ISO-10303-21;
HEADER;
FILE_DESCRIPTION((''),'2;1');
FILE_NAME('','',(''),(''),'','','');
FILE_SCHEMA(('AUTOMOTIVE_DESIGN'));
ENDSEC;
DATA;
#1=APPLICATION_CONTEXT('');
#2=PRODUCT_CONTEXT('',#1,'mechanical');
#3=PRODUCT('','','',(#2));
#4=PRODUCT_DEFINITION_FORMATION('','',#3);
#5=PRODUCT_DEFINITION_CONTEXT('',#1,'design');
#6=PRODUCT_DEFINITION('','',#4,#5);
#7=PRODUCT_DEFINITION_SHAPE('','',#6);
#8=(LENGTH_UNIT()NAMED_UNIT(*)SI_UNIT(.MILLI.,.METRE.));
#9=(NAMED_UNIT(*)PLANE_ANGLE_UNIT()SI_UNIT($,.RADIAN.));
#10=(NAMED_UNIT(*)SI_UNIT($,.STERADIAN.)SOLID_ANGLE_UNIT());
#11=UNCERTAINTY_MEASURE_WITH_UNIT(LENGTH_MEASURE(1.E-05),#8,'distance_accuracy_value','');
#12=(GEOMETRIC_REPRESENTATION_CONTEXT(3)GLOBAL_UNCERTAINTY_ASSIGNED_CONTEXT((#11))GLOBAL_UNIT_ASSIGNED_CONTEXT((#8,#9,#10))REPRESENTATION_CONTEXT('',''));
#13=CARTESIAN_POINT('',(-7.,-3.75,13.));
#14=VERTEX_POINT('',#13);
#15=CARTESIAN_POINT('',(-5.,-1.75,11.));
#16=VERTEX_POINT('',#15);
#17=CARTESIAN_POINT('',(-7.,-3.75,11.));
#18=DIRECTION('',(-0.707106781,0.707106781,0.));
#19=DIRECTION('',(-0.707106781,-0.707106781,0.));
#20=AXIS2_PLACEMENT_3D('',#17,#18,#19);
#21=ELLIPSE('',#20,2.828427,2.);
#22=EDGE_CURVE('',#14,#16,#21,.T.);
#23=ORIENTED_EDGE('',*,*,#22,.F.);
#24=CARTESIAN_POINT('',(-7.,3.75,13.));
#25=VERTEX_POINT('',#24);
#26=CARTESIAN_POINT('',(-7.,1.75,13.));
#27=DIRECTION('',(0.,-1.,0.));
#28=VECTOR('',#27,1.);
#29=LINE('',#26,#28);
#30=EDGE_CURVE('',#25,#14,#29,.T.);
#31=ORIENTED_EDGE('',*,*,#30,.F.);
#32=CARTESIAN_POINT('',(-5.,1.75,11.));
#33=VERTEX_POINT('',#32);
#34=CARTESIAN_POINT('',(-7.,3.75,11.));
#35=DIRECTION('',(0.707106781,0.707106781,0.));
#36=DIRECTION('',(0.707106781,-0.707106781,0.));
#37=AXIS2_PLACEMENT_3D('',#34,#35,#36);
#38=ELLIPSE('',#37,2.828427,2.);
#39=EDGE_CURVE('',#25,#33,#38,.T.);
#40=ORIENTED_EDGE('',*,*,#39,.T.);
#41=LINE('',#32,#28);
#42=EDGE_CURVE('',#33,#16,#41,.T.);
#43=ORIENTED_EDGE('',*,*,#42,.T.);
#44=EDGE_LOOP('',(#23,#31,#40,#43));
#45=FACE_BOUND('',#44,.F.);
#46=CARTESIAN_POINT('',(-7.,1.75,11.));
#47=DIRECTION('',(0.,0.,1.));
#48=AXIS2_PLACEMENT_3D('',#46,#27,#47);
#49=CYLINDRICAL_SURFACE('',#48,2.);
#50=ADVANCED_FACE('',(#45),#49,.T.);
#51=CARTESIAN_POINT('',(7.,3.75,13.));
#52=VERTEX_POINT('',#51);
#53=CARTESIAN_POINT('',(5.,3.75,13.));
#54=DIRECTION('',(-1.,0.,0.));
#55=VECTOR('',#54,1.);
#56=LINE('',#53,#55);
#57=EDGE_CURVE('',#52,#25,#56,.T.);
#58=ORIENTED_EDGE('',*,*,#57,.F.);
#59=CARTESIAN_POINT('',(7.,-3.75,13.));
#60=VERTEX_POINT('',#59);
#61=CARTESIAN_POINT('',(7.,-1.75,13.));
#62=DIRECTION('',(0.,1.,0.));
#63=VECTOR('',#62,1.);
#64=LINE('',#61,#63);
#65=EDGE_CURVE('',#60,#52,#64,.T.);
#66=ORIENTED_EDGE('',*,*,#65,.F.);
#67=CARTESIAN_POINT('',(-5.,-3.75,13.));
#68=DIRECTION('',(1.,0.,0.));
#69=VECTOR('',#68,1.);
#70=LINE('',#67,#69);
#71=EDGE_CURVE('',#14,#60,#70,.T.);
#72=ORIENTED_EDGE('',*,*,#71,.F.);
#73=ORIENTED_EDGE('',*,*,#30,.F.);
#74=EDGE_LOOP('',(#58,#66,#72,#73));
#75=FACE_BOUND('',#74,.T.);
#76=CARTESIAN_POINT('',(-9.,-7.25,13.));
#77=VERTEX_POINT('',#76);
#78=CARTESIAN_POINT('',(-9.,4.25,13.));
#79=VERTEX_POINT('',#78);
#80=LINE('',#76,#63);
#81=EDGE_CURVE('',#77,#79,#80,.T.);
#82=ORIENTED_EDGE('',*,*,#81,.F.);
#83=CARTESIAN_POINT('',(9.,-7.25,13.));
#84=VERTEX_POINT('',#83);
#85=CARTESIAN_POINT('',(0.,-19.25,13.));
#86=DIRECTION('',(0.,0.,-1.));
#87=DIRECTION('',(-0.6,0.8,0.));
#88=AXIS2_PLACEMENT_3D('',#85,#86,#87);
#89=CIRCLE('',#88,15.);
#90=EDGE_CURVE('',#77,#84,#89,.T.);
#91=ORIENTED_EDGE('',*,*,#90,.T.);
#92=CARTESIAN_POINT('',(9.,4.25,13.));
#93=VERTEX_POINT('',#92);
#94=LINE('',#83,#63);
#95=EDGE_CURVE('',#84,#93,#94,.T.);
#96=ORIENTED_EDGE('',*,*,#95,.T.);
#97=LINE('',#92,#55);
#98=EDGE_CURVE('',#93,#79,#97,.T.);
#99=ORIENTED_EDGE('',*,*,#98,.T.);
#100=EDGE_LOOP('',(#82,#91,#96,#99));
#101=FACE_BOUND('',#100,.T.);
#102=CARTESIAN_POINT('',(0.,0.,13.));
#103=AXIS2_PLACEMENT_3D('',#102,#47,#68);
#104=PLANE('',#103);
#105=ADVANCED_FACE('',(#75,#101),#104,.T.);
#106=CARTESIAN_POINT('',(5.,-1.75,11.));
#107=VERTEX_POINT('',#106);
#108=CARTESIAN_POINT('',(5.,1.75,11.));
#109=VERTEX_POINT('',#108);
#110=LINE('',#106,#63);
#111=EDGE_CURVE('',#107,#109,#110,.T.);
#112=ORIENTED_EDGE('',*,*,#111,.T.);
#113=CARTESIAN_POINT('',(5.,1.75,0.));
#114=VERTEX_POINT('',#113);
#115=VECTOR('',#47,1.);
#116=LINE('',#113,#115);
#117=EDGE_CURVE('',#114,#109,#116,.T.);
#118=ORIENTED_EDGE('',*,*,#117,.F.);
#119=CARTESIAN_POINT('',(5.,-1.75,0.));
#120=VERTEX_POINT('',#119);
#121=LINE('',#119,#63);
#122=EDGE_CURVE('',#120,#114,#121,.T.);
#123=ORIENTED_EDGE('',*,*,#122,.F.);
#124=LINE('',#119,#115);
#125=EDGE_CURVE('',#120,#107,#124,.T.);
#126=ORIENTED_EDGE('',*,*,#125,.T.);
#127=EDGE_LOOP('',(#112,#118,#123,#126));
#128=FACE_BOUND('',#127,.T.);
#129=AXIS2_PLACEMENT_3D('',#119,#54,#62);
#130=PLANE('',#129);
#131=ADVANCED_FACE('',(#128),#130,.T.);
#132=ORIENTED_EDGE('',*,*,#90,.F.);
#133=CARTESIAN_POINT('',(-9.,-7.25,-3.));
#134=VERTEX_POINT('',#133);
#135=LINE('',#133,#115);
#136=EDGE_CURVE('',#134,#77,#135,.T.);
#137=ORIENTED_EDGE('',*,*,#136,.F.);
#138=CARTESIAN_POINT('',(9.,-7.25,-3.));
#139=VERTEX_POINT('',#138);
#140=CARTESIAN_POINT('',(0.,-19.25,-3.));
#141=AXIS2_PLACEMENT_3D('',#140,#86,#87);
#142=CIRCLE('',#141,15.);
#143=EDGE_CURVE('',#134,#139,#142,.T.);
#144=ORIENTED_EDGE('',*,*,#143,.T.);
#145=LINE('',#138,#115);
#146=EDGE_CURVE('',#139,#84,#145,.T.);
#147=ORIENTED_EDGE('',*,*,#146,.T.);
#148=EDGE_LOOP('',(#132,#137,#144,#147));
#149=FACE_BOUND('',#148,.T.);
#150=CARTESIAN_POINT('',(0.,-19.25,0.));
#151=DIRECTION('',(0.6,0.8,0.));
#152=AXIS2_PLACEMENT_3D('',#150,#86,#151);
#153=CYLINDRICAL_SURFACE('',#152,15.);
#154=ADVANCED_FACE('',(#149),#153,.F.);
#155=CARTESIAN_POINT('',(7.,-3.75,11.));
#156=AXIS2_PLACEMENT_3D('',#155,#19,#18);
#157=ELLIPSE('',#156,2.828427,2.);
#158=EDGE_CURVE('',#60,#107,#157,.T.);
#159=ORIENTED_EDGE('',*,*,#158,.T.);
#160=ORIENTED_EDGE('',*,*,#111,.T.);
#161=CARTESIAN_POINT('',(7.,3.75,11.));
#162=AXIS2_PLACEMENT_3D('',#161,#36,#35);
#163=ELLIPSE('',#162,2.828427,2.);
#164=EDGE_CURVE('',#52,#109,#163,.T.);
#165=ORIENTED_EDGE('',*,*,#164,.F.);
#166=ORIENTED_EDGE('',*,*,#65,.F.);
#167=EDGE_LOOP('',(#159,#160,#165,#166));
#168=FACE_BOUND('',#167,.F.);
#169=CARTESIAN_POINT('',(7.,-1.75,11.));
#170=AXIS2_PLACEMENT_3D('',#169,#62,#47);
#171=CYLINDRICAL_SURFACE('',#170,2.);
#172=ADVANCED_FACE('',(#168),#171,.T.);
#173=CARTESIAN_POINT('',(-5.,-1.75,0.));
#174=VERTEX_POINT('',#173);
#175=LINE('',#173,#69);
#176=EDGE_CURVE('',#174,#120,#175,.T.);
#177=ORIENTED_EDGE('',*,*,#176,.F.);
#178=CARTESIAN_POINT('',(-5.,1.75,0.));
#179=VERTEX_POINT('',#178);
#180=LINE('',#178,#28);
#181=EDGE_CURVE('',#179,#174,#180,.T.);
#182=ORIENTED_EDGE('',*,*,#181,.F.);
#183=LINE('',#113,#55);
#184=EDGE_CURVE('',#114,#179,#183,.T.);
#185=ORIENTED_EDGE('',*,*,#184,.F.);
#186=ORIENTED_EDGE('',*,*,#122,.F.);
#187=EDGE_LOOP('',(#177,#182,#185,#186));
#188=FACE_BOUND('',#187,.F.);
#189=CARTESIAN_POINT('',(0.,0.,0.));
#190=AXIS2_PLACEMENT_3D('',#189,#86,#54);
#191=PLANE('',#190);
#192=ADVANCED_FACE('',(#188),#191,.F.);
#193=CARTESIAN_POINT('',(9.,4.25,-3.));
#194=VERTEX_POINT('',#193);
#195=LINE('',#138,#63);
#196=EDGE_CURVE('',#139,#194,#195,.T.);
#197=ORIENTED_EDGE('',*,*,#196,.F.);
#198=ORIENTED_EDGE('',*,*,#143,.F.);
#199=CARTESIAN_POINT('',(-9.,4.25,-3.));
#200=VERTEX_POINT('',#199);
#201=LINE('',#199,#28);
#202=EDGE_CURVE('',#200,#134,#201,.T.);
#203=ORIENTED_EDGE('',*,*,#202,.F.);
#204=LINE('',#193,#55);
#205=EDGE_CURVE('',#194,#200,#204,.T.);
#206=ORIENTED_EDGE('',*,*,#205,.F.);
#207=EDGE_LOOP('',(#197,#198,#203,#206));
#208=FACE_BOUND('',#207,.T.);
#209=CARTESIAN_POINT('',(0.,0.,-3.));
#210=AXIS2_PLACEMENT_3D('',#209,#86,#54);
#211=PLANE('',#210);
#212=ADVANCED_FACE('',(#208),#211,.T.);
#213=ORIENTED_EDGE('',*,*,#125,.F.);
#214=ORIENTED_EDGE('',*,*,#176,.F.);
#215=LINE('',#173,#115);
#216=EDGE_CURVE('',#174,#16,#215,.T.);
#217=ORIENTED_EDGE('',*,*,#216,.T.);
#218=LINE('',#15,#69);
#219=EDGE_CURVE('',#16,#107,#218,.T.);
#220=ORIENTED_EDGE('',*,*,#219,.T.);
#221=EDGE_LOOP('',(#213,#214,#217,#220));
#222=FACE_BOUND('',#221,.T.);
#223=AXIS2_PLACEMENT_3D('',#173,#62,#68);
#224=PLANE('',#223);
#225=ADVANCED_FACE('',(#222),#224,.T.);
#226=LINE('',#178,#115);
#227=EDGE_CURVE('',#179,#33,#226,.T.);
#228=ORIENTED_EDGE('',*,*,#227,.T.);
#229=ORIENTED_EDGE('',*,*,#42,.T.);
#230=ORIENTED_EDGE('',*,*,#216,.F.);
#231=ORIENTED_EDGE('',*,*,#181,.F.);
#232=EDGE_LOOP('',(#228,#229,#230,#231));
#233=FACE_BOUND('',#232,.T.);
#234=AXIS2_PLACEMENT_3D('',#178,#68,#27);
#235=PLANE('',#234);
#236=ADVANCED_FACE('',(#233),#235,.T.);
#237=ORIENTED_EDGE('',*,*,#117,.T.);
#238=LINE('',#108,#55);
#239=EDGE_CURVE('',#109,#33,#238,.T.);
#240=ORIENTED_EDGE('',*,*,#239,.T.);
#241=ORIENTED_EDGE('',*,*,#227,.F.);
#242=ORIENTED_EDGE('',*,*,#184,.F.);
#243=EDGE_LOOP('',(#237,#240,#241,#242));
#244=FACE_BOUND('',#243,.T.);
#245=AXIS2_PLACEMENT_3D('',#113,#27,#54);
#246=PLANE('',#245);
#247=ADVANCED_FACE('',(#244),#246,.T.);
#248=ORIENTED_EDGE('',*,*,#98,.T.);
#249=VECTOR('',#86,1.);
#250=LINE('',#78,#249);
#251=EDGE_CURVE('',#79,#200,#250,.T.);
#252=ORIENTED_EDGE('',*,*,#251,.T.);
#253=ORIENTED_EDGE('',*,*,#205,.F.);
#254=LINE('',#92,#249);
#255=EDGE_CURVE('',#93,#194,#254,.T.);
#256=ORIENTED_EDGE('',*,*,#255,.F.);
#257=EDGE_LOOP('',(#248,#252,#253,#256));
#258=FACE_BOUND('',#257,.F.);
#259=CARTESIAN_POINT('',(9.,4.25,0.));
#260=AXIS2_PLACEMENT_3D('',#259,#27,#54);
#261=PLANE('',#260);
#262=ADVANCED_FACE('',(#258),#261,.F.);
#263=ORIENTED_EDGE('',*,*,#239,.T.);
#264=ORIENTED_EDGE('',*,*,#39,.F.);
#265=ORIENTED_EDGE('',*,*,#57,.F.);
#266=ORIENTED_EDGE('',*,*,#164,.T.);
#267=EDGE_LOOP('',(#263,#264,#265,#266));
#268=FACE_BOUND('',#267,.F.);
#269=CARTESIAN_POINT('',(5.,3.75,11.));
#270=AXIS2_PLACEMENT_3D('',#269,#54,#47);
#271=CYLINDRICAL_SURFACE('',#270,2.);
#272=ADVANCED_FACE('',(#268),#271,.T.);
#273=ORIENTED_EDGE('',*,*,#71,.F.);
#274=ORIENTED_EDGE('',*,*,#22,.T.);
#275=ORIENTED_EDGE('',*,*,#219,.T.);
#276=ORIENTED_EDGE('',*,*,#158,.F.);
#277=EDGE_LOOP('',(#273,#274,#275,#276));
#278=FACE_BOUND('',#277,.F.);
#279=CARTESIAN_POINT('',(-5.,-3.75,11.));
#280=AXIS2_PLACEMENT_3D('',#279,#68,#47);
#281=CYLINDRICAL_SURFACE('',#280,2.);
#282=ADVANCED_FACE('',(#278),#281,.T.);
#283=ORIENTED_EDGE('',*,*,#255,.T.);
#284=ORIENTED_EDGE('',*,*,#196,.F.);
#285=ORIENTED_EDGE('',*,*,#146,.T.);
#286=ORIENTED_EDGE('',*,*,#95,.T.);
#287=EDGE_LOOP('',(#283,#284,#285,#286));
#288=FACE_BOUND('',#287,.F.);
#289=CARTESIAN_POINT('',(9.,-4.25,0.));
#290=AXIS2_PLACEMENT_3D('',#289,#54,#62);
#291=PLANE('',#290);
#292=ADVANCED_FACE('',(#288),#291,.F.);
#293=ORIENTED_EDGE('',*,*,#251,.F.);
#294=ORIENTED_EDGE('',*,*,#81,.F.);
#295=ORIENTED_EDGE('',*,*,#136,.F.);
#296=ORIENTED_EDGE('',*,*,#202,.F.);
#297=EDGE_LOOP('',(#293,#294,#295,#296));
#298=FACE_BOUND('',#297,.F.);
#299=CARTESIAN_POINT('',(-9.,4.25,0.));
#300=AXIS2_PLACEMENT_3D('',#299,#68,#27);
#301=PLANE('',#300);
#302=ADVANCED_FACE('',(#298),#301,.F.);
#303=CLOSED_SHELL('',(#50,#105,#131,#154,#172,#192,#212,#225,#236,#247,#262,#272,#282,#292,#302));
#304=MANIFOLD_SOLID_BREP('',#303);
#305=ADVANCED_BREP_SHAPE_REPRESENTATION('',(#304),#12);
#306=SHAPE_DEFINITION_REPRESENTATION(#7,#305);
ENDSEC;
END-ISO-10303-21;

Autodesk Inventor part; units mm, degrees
ref_plane "YZ Plane" through (0, 0, 0) normal (1, 0, 0) x (0, 1, 0)
ref_plane "XZ Plane" through (0, 0, 0) normal (0, 1, 0) x (-1, 0, 0)
ref_plane "XY Plane" through (0, 0, 0) normal (0, 0, 1) x (1, 0, 0)
sketch "Skizze1" plane through (0, 0, 0) normal (0, 0, 1) x (1, 0, 0)
  line L0 (-5, -1.75) -> (5, -1.75)
  line L1 (5, -1.75) -> (5, 1.75)
  line L2 (5, 1.75) -> (-5, 1.75)
  line L3 (-5, 1.75) -> (-5, -1.75)
  line L4 (-5, -1.75) -> (5, 1.75) construction
  line L5 (5, -1.75) -> (-5, 1.75) construction
  line L6 (-9, -4.25) -> (9, -4.25)
  line L7 (9, -4.25) -> (9, 4.25)
  line L8 (9, 4.25) -> (-9, 4.25)
  line L9 (-9, 4.25) -> (-9, -4.25)
  line L10 (-9, -4.25) -> (9, 4.25) construction
  line L11 (9, -4.25) -> (-9, 4.25) construction
  line L12 (-9, -4.25) -> (-9, -7.25)
  line L13 (9, -4.25) -> (9, -7.25)
  arc A0 (9, -7.25) -> (-9, -7.25) centre (0, -19.25) ccw
  point P0 (0, 0)
  dimension "d0" = 10
  dimension "d1" = 3.5
  dimension "d2" = 18
  dimension "d3" = 2.5
  dimension "d4" = 3
extrude "Extrusion1" add sketch "Skizze1" along normal blind 13
sketch "Skizze2" plane through (0, 0, 0) normal (0, 0, -1) x (-1, 0, 0)
  line L0 (5, 1.75) -> (5, -1.75) projected
  line L1 (5, -1.75) -> (-5, -1.75) projected
  line L2 (-5, -1.75) -> (-5, 1.75) projected
  line L3 (-5, 1.75) -> (5, 1.75) projected
  line L4 (9, 4.25) -> (9, -7.25) projected
  line L5 (-9, 4.25) -> (9, 4.25) projected
  line L6 (-9, -7.25) -> (-9, 4.25) projected
  arc A0 (9, -7.25) -> (-9, -7.25) centre (0, -19.25) ccw projected
  point P0 (0, 0)
extrude "Extrusion2" add sketch "Skizze2" along normal blind 3 contours L0 L1 L2 L3 | L4 A0 L6 L5
fillet "Rundung1" radius 2 4 edges at (-5, 0, 13) (5, 0, 13) (0, 1.75, 13) (0, -1.75, 13)
properties part number "vibramount"
